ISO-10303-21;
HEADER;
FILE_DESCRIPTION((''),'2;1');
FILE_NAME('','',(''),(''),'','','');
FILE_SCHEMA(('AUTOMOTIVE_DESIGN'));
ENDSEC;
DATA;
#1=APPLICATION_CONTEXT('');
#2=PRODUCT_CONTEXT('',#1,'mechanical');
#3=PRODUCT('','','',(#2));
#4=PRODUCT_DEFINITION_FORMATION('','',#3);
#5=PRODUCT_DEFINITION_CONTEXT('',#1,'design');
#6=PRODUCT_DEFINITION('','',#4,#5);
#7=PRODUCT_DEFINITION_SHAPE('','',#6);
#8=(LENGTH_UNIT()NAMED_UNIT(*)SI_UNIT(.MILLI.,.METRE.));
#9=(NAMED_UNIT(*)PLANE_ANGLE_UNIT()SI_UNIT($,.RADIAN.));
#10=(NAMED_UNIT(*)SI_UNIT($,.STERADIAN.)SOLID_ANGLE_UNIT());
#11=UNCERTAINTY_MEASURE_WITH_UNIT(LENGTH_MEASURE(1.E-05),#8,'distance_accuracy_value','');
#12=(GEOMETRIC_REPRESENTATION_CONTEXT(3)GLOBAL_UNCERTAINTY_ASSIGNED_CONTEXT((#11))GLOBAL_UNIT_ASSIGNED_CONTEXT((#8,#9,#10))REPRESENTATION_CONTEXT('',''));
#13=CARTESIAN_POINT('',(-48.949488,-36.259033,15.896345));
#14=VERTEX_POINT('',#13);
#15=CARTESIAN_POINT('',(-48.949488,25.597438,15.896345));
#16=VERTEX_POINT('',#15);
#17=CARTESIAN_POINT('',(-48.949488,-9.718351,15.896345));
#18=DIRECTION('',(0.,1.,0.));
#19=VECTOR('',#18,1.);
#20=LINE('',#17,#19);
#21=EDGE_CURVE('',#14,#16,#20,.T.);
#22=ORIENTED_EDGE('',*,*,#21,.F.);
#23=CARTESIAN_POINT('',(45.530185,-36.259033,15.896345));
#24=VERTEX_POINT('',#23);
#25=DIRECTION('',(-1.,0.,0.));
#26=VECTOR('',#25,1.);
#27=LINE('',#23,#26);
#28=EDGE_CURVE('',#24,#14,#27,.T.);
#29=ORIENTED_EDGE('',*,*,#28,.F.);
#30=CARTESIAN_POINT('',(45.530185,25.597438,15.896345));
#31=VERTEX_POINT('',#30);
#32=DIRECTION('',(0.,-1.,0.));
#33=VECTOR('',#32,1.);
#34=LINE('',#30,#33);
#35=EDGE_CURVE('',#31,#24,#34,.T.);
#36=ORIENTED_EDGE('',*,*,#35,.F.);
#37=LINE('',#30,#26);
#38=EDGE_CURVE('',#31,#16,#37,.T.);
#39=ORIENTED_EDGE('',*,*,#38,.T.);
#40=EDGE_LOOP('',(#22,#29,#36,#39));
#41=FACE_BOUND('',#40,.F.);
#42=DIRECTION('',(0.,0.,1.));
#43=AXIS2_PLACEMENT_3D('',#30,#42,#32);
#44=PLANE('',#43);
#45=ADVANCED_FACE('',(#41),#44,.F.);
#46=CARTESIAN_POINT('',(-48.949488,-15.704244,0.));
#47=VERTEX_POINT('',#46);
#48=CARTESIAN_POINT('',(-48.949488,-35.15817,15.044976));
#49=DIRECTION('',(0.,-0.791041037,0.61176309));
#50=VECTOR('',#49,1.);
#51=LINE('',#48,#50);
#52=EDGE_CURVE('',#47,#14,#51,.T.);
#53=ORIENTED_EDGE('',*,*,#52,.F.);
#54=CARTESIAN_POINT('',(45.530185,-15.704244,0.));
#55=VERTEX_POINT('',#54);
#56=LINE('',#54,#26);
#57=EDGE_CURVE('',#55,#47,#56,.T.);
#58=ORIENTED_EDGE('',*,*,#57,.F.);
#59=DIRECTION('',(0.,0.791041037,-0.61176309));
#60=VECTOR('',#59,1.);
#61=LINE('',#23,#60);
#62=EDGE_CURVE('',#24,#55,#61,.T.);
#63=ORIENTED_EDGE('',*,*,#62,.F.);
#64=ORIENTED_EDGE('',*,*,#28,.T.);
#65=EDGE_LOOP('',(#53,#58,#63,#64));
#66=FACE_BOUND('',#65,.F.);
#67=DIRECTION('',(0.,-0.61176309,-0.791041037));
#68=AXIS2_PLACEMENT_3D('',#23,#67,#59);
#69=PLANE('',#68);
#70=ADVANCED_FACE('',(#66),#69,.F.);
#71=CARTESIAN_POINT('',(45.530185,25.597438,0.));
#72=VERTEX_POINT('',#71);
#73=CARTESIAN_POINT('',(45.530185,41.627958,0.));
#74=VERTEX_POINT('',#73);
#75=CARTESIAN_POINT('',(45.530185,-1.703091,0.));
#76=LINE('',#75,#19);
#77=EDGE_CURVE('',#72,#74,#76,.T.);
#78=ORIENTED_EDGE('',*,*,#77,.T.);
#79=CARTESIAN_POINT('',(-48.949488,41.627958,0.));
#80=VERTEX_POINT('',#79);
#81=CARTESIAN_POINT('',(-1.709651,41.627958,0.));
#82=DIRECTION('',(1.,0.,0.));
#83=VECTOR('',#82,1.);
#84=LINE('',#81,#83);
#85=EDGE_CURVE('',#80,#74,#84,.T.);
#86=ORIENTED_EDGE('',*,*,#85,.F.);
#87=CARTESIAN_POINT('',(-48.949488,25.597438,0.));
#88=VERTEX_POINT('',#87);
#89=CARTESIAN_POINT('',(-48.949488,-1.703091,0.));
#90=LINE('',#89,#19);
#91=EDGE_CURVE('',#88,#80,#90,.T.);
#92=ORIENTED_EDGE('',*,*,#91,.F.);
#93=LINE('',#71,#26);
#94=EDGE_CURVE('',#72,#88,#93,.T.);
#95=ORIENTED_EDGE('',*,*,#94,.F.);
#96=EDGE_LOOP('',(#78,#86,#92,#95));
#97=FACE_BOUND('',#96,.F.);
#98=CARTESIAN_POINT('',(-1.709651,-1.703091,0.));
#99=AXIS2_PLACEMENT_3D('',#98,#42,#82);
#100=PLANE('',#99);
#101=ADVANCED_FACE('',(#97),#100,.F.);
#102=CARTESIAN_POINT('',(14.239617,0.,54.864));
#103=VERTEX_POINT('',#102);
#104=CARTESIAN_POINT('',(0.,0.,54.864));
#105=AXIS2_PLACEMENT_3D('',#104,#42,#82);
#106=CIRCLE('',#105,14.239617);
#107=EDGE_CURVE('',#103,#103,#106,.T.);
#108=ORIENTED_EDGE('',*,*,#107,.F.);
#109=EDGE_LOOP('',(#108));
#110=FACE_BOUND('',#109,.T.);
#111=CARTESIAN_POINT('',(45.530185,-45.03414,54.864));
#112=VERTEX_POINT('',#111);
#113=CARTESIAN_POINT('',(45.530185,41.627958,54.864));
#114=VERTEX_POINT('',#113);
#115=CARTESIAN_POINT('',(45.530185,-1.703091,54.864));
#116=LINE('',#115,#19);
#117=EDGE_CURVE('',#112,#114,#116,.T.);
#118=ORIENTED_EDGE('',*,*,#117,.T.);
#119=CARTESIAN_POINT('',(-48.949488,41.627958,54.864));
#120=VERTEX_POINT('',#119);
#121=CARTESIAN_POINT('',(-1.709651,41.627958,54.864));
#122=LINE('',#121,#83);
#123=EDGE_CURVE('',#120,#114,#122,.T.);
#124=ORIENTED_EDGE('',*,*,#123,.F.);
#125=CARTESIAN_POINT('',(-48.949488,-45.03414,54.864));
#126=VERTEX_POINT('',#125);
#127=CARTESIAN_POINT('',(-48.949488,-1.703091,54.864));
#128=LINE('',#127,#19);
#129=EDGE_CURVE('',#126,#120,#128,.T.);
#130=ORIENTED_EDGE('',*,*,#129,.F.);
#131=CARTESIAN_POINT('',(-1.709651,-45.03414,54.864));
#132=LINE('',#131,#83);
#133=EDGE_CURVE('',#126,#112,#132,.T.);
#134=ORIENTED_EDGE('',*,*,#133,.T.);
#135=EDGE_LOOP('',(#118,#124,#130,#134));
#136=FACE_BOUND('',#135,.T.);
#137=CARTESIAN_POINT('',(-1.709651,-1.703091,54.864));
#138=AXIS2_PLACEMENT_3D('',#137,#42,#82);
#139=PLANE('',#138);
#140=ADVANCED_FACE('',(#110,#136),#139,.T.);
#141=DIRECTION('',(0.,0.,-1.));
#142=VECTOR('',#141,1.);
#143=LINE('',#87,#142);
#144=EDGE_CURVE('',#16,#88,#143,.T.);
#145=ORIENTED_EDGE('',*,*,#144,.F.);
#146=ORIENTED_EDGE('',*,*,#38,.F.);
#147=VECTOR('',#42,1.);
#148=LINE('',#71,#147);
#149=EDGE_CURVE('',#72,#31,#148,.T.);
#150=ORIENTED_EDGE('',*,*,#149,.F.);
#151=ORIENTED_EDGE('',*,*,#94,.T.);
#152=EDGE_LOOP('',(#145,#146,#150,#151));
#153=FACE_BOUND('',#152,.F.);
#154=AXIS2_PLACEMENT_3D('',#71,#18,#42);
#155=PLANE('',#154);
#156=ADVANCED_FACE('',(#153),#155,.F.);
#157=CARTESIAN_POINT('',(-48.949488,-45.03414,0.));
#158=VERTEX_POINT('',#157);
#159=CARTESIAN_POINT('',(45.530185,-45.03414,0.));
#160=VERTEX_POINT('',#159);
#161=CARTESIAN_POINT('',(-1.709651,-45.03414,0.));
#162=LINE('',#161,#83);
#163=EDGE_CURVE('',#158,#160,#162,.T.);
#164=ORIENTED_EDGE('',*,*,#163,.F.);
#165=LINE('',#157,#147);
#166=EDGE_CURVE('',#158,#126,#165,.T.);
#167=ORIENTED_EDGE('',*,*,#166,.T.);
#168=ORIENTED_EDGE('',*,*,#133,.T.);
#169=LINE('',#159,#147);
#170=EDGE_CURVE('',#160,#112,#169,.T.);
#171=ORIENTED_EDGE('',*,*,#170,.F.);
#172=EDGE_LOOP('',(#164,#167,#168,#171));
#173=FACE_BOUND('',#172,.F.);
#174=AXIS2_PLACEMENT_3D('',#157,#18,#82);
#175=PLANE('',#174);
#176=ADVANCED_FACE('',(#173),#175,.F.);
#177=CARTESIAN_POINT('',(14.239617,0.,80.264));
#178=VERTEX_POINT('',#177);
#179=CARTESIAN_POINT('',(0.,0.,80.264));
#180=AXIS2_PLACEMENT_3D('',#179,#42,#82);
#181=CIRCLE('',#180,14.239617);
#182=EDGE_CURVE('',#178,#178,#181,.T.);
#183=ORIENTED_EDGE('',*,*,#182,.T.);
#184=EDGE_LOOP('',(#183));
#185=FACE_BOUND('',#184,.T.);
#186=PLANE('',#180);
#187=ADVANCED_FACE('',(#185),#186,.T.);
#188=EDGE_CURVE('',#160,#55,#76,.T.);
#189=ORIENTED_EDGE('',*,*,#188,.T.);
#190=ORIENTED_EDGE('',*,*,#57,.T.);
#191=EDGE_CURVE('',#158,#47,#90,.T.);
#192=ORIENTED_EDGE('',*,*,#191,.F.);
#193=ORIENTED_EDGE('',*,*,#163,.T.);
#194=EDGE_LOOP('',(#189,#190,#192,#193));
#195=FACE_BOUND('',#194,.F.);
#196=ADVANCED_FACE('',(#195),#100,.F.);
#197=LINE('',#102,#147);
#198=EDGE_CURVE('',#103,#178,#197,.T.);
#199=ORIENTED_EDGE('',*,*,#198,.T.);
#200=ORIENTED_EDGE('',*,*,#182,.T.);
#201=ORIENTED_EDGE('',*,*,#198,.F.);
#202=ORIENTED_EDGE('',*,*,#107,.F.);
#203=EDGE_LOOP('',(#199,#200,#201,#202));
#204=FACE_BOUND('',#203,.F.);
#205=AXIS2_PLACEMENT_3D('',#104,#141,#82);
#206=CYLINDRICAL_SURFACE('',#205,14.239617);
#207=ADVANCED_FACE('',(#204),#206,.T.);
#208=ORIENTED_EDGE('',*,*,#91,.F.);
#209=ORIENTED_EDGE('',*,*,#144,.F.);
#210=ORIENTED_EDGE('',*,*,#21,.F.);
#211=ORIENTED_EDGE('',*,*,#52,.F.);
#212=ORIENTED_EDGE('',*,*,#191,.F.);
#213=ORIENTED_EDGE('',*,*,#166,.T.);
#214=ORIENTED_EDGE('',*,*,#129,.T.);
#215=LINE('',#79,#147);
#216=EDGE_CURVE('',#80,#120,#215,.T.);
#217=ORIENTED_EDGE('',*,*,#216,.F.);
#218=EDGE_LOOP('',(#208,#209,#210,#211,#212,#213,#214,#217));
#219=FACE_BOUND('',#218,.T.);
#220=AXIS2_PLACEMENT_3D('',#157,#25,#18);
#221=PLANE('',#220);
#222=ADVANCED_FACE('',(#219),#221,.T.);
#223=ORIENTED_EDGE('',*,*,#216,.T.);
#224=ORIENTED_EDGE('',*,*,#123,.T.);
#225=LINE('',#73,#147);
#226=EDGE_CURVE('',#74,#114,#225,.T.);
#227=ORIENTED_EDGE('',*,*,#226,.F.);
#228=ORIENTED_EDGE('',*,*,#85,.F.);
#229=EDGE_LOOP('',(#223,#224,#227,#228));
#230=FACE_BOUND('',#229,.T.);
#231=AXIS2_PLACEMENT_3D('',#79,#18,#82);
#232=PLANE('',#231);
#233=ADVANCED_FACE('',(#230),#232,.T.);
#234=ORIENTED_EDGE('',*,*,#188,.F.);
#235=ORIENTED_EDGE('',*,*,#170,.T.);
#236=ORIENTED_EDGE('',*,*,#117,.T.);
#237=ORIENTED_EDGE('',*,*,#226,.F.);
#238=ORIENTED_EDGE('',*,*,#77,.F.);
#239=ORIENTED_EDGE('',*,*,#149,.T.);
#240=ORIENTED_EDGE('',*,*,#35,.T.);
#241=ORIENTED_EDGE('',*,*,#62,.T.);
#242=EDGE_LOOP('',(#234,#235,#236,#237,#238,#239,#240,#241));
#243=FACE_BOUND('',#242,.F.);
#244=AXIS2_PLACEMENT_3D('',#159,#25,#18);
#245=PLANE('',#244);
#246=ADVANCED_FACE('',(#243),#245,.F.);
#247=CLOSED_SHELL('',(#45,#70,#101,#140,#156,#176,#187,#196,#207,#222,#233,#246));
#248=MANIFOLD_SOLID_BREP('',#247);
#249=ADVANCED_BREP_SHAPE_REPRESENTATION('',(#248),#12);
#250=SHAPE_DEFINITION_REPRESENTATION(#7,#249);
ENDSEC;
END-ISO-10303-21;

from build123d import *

# Parameters (mm, degrees)
F0_W     = 94.4796726108
F0_H     = 86.6620987654
F1_DEPTH = 54.864
F3_DEPTH = 94.4806726108
F4_R     = 14.2396166793
F5_DEPTH = 25.4


with BuildPart() as f1:
    # F0 (on Top) → F1 (new body)
    with BuildSketch(Plane.XY):
        with Locations((-1.709651202, -1.7030909657)):
            Rectangle(F0_W, F0_H)
    extrude(amount=F1_DEPTH)

    # F2 (on face) → F3 (cut, through all)
    with BuildSketch(Plane.YZ.offset(45.5301851034)):
        Polygon((-36.2590327859, 15.8963445574), (-15.7042443752, 0), (25.5974382162, 0), (25.5974382162, 15.8963445574), align=None)
    extrude(amount=-F3_DEPTH, mode=Mode.SUBTRACT)

    # F4 (on face) → F5 (join)
    with BuildSketch(Plane.XY.offset(54.864)):
        Circle(F4_R)
    extrude(amount=F5_DEPTH)


solid = f1.part
